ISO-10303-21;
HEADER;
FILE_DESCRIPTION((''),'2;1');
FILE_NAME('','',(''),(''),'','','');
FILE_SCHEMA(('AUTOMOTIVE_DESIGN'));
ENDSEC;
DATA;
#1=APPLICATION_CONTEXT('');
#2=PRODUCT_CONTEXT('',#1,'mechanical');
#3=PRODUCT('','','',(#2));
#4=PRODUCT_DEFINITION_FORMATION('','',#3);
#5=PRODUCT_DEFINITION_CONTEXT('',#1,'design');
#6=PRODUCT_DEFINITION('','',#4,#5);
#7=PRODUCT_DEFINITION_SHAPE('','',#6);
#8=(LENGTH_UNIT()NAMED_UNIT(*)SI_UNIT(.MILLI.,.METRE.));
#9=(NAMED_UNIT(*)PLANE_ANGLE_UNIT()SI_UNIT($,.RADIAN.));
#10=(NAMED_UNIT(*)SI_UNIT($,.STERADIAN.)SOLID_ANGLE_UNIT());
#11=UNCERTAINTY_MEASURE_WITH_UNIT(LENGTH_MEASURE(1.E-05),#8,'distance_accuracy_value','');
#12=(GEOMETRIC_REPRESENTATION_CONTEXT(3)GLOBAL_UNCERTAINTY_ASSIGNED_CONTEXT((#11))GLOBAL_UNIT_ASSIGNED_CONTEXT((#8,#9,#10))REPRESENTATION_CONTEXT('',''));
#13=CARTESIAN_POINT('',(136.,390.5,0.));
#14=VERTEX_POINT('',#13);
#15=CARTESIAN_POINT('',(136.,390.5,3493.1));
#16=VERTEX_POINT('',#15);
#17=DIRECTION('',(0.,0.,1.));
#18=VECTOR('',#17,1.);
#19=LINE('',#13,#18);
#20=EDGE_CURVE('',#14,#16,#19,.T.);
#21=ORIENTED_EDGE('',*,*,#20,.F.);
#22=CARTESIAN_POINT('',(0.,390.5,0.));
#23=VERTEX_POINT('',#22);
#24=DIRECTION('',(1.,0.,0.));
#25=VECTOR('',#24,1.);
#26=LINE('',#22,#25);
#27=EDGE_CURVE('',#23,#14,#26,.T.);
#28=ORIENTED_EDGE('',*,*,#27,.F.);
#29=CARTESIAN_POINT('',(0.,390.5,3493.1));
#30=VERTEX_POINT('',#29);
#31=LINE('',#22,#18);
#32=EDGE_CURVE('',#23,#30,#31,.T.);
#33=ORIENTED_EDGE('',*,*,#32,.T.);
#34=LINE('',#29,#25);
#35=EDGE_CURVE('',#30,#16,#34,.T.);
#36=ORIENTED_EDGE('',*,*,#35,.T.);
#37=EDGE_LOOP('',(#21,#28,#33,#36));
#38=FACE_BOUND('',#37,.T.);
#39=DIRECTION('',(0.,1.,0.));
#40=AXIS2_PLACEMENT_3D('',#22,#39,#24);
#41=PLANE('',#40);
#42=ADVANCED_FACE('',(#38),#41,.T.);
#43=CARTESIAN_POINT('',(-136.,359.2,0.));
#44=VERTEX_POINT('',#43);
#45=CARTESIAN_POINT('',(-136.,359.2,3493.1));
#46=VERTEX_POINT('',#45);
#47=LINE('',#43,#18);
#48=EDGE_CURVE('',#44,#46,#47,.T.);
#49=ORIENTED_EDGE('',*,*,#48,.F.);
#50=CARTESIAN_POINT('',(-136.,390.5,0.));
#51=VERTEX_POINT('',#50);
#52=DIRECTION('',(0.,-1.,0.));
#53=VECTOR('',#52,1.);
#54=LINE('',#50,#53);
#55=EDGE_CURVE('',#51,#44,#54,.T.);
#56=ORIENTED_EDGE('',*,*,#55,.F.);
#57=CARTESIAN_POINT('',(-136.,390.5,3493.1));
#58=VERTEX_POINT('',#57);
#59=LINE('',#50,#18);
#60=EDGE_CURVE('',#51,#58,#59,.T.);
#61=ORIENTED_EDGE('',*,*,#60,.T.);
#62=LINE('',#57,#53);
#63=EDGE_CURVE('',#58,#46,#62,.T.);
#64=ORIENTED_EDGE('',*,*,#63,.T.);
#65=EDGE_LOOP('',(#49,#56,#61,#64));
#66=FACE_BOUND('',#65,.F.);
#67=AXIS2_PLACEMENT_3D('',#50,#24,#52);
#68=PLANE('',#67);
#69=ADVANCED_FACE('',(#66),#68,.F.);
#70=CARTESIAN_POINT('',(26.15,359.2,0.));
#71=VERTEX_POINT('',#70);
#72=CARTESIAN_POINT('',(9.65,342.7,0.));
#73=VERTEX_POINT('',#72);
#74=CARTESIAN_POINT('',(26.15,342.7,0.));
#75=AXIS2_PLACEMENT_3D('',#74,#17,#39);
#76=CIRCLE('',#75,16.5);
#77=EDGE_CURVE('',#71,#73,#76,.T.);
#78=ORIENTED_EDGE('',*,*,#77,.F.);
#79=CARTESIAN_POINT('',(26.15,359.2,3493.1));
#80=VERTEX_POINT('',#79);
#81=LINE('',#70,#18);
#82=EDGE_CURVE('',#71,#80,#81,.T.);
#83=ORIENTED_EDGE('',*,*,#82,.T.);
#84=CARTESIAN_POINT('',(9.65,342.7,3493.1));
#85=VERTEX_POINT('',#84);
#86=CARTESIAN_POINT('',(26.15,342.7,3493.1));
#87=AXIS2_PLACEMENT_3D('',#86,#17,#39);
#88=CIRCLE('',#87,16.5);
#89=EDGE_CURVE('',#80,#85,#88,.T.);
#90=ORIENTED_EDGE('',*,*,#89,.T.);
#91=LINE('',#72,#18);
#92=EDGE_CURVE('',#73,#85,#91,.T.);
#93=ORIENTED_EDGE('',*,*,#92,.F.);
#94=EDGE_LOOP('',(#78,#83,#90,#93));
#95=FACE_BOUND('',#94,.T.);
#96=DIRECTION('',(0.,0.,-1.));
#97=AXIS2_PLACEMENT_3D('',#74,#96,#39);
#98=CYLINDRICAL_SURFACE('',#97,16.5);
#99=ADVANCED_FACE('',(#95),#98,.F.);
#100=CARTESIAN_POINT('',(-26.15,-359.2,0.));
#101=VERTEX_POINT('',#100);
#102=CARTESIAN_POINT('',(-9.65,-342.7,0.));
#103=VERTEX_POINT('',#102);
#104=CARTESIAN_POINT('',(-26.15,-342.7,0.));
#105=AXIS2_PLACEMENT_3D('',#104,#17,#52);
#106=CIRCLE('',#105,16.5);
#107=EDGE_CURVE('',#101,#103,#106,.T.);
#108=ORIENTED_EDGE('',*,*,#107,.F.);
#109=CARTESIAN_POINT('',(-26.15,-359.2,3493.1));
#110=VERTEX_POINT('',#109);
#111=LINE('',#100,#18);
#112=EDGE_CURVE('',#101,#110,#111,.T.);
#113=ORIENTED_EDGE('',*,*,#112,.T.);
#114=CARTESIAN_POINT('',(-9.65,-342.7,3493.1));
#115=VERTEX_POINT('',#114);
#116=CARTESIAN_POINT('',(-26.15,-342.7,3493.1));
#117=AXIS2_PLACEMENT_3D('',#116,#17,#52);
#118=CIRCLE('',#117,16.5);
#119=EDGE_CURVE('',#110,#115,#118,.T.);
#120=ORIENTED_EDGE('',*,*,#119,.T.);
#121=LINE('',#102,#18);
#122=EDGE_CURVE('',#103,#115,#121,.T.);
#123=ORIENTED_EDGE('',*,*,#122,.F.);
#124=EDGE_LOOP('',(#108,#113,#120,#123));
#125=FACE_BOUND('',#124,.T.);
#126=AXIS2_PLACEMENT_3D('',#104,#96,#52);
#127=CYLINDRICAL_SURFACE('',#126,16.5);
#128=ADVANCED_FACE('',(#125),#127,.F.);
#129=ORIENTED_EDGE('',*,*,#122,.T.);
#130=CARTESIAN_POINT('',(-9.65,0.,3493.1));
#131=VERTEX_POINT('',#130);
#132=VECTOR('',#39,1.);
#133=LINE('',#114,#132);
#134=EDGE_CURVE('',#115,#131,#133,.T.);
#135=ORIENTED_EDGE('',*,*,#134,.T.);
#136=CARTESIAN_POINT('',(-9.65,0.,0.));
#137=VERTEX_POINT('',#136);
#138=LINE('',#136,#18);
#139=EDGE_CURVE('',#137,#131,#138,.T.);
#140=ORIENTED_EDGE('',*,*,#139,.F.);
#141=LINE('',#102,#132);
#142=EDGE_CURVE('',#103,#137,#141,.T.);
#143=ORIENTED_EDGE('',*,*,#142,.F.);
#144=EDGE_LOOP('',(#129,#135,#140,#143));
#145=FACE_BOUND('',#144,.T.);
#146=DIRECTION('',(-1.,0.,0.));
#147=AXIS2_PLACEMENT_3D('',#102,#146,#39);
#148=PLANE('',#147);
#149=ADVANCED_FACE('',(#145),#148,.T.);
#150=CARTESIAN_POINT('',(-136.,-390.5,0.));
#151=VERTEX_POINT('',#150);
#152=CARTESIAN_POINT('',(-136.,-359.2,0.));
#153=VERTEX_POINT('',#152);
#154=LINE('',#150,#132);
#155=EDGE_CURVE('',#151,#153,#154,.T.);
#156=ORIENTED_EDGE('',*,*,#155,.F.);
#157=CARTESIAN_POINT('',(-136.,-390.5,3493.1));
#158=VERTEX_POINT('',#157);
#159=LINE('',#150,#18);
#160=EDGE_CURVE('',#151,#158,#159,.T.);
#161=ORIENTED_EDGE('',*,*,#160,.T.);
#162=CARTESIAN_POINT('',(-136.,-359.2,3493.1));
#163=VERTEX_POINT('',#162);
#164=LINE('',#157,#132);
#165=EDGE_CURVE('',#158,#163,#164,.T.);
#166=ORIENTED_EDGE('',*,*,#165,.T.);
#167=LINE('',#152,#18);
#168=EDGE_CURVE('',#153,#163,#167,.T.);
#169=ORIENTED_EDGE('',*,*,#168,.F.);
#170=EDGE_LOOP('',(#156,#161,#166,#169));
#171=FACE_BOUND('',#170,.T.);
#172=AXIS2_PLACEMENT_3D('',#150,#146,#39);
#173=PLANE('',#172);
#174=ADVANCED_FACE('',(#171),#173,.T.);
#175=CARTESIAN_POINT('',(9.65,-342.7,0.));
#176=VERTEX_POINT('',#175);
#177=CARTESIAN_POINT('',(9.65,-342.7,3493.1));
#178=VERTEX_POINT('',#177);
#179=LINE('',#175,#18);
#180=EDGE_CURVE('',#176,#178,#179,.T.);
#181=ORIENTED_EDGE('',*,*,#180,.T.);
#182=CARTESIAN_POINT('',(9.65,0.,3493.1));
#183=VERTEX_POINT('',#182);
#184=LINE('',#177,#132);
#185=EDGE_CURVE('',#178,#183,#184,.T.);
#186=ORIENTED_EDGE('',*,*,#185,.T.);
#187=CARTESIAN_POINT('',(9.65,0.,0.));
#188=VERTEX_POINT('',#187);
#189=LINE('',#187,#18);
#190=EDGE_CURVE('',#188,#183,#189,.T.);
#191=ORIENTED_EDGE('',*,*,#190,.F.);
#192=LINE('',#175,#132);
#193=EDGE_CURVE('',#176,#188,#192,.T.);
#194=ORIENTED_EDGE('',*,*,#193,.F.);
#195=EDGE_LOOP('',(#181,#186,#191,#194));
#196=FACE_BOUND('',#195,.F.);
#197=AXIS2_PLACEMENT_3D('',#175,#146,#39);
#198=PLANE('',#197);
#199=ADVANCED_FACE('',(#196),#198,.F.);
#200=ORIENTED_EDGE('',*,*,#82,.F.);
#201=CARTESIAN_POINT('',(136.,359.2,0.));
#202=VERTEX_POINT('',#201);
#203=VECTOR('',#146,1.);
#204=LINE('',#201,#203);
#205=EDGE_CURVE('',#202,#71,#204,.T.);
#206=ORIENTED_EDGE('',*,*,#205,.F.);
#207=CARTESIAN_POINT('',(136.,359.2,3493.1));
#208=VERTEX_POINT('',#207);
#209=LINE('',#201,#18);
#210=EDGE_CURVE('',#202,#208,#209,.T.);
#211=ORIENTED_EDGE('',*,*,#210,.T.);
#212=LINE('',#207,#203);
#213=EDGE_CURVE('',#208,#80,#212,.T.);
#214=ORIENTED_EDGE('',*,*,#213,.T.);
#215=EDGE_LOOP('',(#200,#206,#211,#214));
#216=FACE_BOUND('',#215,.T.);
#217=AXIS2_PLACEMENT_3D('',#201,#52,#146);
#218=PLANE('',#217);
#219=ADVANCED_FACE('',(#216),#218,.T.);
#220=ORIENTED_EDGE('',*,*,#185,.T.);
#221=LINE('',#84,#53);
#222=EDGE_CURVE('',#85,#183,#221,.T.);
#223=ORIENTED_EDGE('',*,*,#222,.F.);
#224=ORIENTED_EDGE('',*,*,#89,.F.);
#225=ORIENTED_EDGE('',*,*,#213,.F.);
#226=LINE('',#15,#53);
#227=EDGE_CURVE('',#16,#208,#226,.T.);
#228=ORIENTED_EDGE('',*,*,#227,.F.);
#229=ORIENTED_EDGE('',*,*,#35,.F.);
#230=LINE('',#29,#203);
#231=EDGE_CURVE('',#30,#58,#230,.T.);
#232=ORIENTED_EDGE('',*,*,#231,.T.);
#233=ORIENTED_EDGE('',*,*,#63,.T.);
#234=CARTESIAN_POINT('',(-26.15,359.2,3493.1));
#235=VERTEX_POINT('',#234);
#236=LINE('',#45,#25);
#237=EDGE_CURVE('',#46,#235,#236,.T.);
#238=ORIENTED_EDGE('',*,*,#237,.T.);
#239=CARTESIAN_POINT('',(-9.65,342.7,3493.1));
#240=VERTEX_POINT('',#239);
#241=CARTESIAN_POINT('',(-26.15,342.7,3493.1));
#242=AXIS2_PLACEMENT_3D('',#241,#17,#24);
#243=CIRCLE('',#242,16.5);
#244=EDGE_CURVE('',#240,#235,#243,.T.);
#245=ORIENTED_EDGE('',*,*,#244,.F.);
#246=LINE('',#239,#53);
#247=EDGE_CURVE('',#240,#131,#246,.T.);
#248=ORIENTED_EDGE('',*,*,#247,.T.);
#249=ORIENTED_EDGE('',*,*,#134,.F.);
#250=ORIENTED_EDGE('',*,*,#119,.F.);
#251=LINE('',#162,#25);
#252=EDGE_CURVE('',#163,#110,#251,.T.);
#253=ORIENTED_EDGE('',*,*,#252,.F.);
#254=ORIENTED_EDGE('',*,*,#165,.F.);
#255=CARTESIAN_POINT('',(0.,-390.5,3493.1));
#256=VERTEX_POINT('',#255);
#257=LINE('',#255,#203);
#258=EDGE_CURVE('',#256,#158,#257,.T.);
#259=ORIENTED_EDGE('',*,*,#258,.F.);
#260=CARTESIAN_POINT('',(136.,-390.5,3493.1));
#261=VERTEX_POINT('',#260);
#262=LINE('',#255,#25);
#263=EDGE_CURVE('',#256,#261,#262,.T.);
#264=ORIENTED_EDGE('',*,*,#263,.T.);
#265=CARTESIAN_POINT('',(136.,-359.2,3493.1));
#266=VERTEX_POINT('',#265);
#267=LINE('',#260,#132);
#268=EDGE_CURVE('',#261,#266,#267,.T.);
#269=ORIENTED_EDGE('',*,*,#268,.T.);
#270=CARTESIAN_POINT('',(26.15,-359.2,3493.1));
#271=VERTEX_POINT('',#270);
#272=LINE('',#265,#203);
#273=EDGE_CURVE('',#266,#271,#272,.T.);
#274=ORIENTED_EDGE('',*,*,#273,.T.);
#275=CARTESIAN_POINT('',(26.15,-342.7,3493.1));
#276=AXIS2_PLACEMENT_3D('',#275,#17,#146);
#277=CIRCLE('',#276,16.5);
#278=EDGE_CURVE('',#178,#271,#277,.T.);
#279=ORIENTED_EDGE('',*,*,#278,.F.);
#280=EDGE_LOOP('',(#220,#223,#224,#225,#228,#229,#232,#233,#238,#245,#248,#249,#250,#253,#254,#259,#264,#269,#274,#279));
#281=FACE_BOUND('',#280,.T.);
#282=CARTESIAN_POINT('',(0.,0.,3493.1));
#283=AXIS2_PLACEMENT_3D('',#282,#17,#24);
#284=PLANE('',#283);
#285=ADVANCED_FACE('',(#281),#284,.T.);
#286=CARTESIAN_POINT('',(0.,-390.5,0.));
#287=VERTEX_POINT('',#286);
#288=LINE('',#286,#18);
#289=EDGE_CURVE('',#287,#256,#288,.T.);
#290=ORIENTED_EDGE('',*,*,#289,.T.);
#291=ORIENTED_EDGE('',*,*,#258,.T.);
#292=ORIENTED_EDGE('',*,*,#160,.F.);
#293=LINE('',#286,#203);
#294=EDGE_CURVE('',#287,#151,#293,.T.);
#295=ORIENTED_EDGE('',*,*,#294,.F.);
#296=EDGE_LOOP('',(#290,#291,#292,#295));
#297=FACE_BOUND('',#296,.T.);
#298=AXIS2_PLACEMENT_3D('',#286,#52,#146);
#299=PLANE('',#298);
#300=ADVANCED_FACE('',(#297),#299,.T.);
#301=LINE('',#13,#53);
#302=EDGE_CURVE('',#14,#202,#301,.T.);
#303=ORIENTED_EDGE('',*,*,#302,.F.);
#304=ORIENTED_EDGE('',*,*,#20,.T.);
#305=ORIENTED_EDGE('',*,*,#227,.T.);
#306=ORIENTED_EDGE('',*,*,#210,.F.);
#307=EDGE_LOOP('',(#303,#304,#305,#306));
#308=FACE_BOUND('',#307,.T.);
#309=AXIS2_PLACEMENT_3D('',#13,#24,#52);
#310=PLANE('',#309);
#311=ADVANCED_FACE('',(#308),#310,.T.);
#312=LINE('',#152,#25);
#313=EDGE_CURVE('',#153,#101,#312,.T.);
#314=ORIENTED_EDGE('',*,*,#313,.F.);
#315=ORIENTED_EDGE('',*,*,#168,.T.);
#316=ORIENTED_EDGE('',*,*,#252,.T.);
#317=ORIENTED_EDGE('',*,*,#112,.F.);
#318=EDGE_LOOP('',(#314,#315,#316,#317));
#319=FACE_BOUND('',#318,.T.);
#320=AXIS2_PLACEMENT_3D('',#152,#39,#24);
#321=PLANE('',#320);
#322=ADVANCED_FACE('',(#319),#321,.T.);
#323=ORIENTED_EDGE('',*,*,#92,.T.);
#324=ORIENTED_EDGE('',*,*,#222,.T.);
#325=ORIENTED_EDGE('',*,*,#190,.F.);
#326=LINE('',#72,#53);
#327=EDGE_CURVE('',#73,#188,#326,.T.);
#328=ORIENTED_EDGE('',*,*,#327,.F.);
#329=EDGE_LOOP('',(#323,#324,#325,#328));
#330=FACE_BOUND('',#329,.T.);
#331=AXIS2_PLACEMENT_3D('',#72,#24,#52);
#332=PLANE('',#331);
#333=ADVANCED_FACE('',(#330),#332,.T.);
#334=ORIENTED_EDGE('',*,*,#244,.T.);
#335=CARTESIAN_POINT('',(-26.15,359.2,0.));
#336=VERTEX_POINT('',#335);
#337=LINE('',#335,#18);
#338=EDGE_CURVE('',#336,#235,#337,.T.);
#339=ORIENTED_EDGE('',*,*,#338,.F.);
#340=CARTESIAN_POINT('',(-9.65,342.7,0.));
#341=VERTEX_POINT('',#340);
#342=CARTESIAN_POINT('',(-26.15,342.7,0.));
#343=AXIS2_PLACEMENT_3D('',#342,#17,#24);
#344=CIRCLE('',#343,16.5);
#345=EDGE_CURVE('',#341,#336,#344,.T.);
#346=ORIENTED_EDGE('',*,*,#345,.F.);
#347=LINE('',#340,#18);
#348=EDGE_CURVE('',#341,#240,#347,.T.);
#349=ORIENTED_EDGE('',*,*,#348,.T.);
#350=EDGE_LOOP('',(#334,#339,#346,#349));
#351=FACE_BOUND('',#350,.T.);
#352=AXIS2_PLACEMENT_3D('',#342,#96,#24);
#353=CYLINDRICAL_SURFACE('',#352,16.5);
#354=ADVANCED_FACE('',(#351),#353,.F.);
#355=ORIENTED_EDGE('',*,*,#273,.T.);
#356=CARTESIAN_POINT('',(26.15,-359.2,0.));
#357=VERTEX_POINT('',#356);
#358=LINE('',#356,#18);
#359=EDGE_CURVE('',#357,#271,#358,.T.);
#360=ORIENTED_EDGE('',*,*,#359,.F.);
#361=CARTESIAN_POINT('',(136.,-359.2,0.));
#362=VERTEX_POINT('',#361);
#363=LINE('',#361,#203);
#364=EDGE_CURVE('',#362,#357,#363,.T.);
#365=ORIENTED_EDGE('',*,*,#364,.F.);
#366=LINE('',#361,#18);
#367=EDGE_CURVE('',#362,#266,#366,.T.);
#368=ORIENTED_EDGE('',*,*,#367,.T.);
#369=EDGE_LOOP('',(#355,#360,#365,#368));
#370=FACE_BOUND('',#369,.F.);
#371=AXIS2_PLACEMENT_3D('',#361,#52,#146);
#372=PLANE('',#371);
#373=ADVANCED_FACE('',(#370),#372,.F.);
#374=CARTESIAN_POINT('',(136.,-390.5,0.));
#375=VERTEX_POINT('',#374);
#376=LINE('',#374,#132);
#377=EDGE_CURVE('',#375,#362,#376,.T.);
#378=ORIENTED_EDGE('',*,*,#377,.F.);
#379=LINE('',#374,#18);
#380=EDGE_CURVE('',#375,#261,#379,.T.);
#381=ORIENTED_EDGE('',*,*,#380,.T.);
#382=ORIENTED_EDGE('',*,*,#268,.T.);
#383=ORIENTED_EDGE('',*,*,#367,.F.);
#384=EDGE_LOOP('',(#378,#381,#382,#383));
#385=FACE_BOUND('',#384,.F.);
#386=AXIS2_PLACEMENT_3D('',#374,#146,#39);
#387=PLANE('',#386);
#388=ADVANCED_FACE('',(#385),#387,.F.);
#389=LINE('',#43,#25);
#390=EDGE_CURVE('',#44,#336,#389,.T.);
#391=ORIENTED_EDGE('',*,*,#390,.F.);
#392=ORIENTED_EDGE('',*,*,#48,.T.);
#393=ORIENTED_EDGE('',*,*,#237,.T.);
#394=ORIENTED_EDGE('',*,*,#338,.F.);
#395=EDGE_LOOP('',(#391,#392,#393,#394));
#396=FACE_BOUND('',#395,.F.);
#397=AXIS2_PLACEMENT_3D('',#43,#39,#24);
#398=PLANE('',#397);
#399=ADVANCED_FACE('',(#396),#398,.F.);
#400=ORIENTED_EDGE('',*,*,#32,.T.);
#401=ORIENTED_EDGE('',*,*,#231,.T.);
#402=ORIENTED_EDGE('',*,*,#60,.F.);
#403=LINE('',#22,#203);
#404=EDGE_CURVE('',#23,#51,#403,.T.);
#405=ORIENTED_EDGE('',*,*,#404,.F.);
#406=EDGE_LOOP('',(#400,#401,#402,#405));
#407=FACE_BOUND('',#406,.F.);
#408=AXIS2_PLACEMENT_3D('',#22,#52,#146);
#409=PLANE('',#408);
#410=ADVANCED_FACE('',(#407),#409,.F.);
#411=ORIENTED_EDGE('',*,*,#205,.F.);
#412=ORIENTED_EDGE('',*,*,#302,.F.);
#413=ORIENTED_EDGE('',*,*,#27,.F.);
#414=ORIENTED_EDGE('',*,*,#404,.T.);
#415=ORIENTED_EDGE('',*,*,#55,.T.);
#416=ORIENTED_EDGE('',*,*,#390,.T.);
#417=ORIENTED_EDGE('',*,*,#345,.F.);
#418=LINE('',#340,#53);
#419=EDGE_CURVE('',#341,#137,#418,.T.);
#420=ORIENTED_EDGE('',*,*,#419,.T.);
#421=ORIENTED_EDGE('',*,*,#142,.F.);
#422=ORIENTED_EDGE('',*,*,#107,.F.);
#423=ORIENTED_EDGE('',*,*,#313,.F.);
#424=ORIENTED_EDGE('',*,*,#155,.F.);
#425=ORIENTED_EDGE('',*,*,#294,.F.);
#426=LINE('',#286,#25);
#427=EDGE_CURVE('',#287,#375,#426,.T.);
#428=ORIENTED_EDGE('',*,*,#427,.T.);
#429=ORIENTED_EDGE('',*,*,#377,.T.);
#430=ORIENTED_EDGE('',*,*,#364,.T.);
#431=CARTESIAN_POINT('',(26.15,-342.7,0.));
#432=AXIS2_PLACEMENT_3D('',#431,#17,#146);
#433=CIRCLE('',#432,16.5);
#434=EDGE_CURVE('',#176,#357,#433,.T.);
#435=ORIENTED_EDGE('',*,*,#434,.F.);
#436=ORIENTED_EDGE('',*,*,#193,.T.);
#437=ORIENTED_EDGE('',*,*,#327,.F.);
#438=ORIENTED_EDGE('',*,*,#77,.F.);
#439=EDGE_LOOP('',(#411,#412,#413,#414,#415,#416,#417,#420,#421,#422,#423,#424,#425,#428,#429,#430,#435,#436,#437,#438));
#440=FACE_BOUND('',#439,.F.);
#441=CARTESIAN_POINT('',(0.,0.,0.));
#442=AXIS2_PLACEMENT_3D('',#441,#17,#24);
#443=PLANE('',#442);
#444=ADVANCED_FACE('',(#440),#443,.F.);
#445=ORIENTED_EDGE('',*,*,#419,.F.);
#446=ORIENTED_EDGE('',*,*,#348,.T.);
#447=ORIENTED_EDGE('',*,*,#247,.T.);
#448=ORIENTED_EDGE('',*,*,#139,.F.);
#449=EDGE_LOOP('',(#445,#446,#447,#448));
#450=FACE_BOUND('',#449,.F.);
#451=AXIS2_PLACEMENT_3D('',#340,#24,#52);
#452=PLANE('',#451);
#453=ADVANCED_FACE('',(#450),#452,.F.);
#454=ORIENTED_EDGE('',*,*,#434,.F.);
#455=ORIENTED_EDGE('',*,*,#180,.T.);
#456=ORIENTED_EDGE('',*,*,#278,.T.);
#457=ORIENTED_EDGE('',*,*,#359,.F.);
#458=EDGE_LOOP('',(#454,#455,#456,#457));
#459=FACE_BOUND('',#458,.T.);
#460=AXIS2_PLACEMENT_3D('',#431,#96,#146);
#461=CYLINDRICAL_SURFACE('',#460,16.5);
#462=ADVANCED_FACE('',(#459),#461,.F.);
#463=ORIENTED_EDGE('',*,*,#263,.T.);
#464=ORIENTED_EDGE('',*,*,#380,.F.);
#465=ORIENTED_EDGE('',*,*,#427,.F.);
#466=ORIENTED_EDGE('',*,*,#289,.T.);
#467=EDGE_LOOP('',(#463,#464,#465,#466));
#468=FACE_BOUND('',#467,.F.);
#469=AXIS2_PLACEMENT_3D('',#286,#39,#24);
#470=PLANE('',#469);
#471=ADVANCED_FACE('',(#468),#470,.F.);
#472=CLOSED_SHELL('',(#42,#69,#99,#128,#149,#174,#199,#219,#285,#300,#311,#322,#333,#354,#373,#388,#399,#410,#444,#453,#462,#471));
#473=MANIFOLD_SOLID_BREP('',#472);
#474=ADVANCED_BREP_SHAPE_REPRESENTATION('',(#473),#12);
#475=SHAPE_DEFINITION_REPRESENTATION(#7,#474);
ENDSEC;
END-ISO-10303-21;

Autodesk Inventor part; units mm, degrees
ref_plane "YZ Plane" through (0, 0, 0) normal (1, 0, 0) x (0, 1, 0)
ref_plane "Start plane" through (0, 0, 0) normal (0, 0, 1) x (1, 0, 0)
ref_plane "End plane" through (0, 0, 3493.1) normal (0, 0, 1) x (1, 0, 0)
sketch "Sketch" plane through (0, 0, 0) normal (0, 0, 1) x (1, 0, 0)
  line L0 (-136, -390.5) -> (-136, -359.2)
  line L1 (-136, -359.2) -> (-26.15, -359.2)
  line L2 (-9.65, -342.7) -> (-9.65, 0)
  line L3 (-9.65, 0) -> (0, 0) construction
  line L4 (0, 0) -> (0, -390.5) construction
  line L5 (0, -390.5) -> (-136, -390.5)
  line L6 (-60, 0) -> (80, 0) construction
  line L7 (0, -60) -> (0, 80) construction
  line L8 (136, -390.5) -> (136, -359.2)
  line L9 (136, -359.2) -> (26.15, -359.2)
  line L10 (9.65, -342.7) -> (9.65, 0)
  line L11 (9.65, 0) -> (0, 0) construction
  line L12 (0, -390.5) -> (136, -390.5)
  line L13 (-136, 390.5) -> (-136, 359.2)
  line L14 (-136, 359.2) -> (-26.15, 359.2)
  line L15 (-9.65, 342.7) -> (-9.65, 0)
  line L16 (0, 390.5) -> (-136, 390.5)
  line L17 (136, 390.5) -> (136, 359.2)
  line L18 (136, 359.2) -> (26.15, 359.2)
  line L19 (0, 390.5) -> (136, 390.5)
  line L20 (9.65, 342.7) -> (9.65, 0)
  arc A0 (-9.65, 342.7) -> (-26.15, 359.2) centre (-26.15, 342.7) ccw
  arc A1 (26.15, 359.2) -> (9.65, 342.7) centre (26.15, 342.7) ccw
  arc A2 (9.65, -342.7) -> (26.15, -359.2) centre (26.15, -342.7) ccw
  arc A3 (-26.15, -359.2) -> (-9.65, -342.7) centre (-26.15, -342.7) ccw
  line L21 (0, 108) -> (0, -88) construction
  line L22 (-88, 0) -> (108, 0) construction
  point P0 (-9.65, -359.2)
  point P1 (9.65, -359.2)
  point P2 (-9.65, 359.2)
  point P3 (9.65, 359.2)
  dimension "d1" = 390.5
  dimension "d2" = 31.3
  dimension "d3" = 136
  dimension "d4" = 9.65
  dimension "d10" = 16.5
extrude "Body" add sketch "Sketch" along normal up to surface (3493.1 mm away) from surface at 0
sketch "Sketch4" plane through (0, 0, 0) normal (0, 0, 1) x (1, 0, 0)
  line L0 (0, 0) -> (10, 0)
ref_plane "Work Plane3" through (0, 0, 0) normal (0, -1, 0) x (1, 0, 0)
sketch "Sketch5" plane through (0, 0, 0) normal (0, -1, 0) x (1, 0, 0)
  line L0 (-2, 0) -> (12, 0) projected
  line L1 (-2, 3493.1) -> (12, 3493.1) projected
  dimension "d14" = 3493.1
equation "\"d1\" = 0.5 * G_H"
equation "\"d2\" = G_T1"
equation "\"d3\" = 0.5 * G_W"
equation "\"d4\" = 0.5 * G_T"
equation "\"d10\" = G_IR"
equation "\"d5\" = G_L"
equation "\"G_W\" = 272"
equation "\"G_H\" = 781"
equation "\"G_T\" = 19.3"
equation "\"G_T1\" = 31.3"
equation "\"G_IR\" = 16.5"
equation "\"G_L\" = d14"
equation "\"G_OFFSET_START\" = 0"
equation "\"G_OFFSET_END\" = 0"
equation "\"d12\" = G_OFFSET_END + B_L"
equation "\"B_L\" = 3493.1"
properties part number "AS 3679-1990 - 760 UB - 244 - 3493.1" material "Steel, Mild"
